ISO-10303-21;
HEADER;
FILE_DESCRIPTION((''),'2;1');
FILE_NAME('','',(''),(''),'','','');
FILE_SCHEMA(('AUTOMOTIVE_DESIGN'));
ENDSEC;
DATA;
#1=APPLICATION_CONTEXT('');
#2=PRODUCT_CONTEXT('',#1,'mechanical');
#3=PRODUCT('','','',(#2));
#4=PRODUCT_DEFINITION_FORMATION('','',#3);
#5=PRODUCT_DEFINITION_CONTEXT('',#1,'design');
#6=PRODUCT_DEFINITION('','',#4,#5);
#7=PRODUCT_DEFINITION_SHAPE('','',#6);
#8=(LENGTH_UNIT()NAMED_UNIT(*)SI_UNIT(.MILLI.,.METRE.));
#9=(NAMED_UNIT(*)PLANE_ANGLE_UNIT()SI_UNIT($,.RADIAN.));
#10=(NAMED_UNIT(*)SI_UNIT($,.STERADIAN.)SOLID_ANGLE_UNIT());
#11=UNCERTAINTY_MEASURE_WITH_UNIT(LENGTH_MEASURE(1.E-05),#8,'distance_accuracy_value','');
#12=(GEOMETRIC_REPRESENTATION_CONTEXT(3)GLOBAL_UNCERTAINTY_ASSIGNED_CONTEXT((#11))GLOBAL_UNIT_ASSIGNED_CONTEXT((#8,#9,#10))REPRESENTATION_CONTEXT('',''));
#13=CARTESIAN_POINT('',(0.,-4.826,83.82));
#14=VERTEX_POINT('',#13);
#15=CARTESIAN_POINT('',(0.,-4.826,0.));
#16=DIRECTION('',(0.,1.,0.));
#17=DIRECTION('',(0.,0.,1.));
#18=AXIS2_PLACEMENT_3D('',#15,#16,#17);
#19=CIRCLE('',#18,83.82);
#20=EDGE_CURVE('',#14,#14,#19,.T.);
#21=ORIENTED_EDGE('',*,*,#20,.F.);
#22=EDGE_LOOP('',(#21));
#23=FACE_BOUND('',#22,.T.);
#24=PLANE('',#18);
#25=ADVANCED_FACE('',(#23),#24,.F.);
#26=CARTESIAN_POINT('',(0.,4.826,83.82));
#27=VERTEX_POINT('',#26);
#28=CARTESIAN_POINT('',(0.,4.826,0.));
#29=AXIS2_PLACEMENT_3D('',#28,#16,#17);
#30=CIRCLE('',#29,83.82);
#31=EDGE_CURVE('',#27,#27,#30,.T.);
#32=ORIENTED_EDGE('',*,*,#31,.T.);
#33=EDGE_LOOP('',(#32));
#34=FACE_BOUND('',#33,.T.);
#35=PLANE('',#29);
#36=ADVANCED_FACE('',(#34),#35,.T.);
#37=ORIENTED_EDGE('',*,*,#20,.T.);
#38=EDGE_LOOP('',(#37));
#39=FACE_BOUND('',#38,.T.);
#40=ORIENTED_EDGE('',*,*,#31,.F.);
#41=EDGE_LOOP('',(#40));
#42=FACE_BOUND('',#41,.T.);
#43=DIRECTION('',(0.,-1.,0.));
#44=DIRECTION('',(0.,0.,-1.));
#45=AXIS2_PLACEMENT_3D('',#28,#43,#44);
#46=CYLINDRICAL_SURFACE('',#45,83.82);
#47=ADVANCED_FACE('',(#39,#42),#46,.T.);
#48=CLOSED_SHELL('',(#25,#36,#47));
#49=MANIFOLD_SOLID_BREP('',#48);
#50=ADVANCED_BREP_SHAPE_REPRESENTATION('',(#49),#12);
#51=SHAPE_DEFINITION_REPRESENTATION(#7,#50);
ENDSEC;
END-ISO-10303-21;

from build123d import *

# Parameters (mm, degrees)
SKETCH1_R           = 83.82
BOSS_EXTRUDE1_DEPTH = 4.826


with BuildPart() as part:
    # Sketch1 → Boss-Extrude1 (new body, symmetric)
    with BuildSketch(Plane(origin=(0, 0, 0), x_dir=(1, 0, 0), z_dir=(0, 1, 0))):
        Circle(SKETCH1_R)
    extrude(amount=BOSS_EXTRUDE1_DEPTH, both=True)


solid = part.part
